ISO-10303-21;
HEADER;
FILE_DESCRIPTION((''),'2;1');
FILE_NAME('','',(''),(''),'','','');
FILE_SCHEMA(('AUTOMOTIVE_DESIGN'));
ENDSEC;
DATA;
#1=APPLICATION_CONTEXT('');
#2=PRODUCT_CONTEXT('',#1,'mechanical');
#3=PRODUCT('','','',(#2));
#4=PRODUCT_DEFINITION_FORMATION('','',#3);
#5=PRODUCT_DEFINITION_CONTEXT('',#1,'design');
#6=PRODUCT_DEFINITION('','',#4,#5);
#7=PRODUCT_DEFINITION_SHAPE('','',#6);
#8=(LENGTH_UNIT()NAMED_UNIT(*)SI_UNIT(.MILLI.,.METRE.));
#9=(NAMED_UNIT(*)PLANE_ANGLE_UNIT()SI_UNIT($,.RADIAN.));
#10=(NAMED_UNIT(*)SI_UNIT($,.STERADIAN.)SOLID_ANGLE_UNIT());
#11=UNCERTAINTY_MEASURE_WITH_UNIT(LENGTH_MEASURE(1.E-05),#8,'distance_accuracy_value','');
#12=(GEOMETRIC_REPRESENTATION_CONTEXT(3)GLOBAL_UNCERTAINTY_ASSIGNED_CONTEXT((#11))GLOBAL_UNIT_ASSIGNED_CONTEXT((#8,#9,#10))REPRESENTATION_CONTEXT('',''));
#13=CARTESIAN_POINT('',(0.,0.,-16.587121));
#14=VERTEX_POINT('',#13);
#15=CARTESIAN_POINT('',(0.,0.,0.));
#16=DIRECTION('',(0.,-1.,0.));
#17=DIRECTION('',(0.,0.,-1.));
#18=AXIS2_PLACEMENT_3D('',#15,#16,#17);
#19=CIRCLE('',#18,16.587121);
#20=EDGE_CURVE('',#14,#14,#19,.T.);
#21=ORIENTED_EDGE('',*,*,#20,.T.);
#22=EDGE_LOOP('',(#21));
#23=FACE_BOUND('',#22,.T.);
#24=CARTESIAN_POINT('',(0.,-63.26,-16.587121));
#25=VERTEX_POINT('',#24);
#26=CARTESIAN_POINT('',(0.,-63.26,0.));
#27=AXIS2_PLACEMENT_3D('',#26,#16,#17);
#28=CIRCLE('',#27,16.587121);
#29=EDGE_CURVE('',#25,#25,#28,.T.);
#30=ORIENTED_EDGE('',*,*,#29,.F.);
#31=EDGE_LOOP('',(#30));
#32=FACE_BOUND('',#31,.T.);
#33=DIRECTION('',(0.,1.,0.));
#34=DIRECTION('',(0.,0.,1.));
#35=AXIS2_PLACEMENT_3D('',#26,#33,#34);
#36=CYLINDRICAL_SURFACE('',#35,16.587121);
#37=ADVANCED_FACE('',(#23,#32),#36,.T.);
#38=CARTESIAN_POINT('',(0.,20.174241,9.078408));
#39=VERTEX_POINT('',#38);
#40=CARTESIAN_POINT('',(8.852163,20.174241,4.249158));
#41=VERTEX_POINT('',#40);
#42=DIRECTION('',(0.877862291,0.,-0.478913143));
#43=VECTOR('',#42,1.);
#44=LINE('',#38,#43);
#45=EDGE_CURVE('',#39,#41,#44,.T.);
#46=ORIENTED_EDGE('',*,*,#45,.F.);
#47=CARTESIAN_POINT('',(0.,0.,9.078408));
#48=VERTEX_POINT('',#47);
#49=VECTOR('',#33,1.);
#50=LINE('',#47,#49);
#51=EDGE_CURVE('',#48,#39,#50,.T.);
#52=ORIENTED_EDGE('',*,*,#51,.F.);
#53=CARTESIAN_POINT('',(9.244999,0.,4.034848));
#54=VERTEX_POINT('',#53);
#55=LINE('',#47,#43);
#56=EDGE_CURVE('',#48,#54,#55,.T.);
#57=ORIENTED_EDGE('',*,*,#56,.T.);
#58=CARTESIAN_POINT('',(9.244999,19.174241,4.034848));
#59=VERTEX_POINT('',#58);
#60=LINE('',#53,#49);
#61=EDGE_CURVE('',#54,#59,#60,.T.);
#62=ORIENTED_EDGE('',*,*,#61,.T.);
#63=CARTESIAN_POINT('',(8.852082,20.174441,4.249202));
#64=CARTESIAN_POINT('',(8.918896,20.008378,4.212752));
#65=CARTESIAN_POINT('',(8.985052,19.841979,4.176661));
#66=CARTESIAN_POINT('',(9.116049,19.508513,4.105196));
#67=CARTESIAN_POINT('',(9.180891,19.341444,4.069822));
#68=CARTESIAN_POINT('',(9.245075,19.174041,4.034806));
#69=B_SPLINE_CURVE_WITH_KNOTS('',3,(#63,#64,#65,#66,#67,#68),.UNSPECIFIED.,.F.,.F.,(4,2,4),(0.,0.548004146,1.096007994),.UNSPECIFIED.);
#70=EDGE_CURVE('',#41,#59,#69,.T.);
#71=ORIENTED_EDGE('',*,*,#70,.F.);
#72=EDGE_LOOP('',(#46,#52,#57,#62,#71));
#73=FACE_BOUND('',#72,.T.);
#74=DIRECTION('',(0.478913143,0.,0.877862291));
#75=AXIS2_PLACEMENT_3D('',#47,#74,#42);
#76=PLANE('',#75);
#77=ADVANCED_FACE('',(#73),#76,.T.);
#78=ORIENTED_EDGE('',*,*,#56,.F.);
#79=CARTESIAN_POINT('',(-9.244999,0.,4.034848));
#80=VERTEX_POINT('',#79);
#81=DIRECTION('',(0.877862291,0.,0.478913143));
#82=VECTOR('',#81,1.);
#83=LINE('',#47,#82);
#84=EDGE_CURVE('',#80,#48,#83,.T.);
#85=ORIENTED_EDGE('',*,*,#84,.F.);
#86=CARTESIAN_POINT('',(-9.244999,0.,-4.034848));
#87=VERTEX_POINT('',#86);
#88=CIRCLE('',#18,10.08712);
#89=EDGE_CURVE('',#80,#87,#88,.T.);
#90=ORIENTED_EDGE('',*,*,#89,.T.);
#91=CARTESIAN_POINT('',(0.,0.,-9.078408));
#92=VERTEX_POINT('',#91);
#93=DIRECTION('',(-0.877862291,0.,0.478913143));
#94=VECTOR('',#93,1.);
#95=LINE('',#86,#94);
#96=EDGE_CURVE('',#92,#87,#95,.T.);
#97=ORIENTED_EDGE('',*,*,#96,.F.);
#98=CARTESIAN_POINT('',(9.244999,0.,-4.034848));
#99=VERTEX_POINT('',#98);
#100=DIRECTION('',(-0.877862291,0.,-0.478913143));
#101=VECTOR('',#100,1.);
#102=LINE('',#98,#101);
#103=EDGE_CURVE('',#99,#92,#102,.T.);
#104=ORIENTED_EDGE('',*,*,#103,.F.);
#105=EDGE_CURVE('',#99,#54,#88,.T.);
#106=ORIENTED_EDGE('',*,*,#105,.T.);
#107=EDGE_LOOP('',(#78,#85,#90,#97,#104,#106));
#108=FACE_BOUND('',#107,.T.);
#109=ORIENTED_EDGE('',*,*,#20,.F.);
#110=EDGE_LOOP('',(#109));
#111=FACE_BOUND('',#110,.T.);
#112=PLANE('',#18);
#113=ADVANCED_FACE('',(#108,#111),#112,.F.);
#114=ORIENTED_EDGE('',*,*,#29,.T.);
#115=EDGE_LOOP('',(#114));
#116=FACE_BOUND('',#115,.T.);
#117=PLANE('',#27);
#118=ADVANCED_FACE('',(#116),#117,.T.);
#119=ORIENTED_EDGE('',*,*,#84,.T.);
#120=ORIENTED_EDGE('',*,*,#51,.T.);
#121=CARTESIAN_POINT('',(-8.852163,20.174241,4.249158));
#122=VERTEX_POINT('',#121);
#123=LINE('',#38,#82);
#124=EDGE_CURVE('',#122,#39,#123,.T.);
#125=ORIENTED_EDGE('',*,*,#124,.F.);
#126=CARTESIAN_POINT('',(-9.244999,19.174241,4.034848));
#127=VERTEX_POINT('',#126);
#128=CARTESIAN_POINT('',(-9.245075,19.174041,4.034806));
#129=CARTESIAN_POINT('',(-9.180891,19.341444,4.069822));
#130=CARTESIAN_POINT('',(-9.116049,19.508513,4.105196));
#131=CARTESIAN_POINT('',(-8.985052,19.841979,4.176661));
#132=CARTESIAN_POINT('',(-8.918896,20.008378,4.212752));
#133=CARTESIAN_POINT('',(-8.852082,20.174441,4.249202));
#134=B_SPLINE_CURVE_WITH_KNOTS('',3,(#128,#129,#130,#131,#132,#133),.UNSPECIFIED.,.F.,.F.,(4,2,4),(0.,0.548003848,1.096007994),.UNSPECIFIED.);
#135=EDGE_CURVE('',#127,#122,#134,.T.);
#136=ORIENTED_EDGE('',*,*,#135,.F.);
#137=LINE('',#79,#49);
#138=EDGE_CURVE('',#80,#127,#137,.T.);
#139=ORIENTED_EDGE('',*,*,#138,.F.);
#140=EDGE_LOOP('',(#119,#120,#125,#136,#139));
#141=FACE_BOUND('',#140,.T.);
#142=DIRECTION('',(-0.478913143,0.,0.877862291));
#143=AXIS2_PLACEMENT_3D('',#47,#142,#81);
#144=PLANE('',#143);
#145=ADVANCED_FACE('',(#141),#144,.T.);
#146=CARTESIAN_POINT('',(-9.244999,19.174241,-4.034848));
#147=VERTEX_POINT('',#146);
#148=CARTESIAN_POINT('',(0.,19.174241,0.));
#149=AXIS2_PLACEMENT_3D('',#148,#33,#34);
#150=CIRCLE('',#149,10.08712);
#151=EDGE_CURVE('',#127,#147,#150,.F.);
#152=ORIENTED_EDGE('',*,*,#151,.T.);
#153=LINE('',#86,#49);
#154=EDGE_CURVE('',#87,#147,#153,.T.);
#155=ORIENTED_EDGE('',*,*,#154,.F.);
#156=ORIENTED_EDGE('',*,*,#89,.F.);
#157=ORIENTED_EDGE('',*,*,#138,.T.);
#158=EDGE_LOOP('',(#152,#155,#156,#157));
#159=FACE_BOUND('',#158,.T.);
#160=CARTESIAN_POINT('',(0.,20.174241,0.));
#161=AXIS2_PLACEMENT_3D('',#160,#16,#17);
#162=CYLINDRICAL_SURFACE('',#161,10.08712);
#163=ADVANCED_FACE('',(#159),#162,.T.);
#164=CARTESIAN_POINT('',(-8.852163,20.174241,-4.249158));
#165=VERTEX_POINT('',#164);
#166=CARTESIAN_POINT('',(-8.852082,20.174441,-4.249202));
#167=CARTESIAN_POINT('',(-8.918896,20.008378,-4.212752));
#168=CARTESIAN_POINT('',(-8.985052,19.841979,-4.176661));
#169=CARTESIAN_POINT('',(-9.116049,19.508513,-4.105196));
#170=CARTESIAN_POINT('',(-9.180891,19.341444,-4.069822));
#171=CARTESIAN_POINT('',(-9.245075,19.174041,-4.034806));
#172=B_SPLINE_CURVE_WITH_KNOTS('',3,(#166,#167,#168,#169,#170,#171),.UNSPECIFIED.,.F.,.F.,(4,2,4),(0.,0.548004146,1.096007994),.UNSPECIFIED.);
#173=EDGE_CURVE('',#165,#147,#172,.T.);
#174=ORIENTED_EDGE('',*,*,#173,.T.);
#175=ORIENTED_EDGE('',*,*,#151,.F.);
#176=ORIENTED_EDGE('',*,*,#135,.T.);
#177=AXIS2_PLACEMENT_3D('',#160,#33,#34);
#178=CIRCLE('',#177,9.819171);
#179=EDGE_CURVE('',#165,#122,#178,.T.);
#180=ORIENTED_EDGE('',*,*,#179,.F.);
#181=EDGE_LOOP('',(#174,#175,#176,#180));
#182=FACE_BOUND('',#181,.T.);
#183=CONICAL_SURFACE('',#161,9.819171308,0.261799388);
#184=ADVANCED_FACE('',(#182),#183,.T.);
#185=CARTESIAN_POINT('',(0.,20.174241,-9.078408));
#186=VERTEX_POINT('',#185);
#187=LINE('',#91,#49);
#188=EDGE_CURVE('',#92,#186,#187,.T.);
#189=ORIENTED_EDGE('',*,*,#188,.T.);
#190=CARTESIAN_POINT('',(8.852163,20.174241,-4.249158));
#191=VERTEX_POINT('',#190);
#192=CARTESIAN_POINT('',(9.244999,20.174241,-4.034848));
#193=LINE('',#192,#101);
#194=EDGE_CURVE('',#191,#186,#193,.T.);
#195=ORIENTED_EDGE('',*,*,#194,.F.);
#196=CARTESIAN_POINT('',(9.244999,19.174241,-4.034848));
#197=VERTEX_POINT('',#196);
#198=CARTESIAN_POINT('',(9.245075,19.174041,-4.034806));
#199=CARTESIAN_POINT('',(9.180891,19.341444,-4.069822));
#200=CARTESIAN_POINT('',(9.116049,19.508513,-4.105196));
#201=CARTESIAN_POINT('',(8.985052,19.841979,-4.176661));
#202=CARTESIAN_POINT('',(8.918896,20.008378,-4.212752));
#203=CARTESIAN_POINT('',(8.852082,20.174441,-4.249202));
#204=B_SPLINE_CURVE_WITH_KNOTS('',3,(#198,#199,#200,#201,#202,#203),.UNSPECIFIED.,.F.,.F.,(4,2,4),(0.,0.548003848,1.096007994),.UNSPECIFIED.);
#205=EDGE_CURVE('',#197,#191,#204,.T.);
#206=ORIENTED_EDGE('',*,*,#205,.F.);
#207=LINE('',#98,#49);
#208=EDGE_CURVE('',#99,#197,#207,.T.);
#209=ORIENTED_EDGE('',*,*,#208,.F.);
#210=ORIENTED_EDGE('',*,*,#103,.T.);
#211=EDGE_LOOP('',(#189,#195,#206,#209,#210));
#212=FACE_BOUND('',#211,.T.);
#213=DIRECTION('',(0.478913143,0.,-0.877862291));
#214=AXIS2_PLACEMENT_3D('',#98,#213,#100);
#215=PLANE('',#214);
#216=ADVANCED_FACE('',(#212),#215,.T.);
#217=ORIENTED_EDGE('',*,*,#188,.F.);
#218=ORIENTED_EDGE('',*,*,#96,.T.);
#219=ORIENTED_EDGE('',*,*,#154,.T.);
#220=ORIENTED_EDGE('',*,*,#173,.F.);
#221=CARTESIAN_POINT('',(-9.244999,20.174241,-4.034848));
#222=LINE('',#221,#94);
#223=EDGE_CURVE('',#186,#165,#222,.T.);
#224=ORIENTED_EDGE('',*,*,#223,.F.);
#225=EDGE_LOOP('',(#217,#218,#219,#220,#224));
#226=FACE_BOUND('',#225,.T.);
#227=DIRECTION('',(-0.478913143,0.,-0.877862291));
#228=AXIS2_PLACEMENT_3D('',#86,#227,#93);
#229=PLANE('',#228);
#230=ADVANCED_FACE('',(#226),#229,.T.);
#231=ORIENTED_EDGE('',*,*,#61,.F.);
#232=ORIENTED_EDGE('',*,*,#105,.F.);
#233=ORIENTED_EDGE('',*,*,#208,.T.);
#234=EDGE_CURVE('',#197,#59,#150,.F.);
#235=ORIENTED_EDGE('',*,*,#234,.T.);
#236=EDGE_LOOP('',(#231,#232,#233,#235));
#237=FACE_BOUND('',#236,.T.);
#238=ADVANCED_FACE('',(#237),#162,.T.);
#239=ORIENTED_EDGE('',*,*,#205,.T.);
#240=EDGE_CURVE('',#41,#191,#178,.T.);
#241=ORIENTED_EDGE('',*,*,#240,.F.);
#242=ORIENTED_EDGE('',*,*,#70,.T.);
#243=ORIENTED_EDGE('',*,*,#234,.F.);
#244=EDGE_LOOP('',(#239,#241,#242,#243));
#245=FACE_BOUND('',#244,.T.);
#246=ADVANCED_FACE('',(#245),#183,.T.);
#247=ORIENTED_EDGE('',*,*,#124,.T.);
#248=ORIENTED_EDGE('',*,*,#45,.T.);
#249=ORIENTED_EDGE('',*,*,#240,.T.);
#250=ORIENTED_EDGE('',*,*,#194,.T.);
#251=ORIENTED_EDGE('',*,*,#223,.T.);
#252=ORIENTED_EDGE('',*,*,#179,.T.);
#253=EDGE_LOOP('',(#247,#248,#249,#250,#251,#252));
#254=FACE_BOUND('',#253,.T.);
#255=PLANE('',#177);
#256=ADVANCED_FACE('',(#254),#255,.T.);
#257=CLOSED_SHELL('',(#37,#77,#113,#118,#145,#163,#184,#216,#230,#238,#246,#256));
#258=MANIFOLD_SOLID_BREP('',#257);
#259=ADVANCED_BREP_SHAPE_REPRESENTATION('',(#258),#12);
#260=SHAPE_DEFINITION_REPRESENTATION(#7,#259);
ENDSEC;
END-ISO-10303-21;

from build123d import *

# Parameters (mm, degrees)
SKETCH_1_R          = 10.0871205
EXTRUDE_1_DEPTH     = 20.174241
SKETCH_2_R          = 16.5871205
EXTRUDE_2_DEPTH     = 63.26
CHAMFER_1_SIZE      = 1
CHAMFER_1_SIZE2     = 0.267949192
SKETCH_4_OUTSIDE_W  = 54.318
SKETCH_4_OUTSIDE_H  = 54.318
CUT_EXTRUDE_2_DEPTH = 20.174241


with BuildPart() as part:
    # Эскиз1 → Бобышка-Вытянуть1 (new body)
    with BuildSketch(Plane(origin=(0, 0, 0), x_dir=(1, 0, 0), z_dir=(0, 1, 0))):
        Circle(SKETCH_1_R)
    extrude(amount=EXTRUDE_1_DEPTH)

    # Эскиз2 → Бобышка-Вытянуть2 (add)
    with BuildSketch(Plane.XZ):
        Circle(SKETCH_2_R)
    extrude(amount=EXTRUDE_2_DEPTH)

    # Фаска1
    chamfer_1_edges = [part.edges().sort_by_distance(p)[0] for p in [
        (-10.0871205, 20.174241, 0),
    ]]
    chamfer_1_side = [part.faces().sort_by_distance(p)[0] for p in [
        (-10.0871205, 10.0871205, 0),
    ]]
    chamfer(chamfer_1_edges, length=CHAMFER_1_SIZE, length2=CHAMFER_1_SIZE2, reference=chamfer_1_side[0])

    # Эскиз4 outside → Вырез-Вытянуть2 (cut)
    with BuildSketch(Plane(origin=(0, 20.174241, 0), x_dir=(1, 0, 0), z_dir=(0, 1, 0))):
        Rectangle(SKETCH_4_OUTSIDE_W, SKETCH_4_OUTSIDE_H)
        with BuildLine():
            Line((-9.244998647, 4.0348482), (0, 9.07840845))
            Line((0, 9.07840845), (9.244998647, 4.0348482))
            ThreePointArc((9.244998647, 4.0348482), (10.0871205, 0), (9.244998647, -4.0348482))
            Line((9.244998647, -4.0348482), (0, -9.07840845))
            Line((0, -9.07840845), (-9.244998647, -4.0348482))
            ThreePointArc((-9.244998647, -4.0348482), (-10.0871205, 0), (-9.244998647, 4.0348482))
        make_face(mode=Mode.SUBTRACT)
    extrude(amount=-CUT_EXTRUDE_2_DEPTH, mode=Mode.SUBTRACT)


solid = part.part
